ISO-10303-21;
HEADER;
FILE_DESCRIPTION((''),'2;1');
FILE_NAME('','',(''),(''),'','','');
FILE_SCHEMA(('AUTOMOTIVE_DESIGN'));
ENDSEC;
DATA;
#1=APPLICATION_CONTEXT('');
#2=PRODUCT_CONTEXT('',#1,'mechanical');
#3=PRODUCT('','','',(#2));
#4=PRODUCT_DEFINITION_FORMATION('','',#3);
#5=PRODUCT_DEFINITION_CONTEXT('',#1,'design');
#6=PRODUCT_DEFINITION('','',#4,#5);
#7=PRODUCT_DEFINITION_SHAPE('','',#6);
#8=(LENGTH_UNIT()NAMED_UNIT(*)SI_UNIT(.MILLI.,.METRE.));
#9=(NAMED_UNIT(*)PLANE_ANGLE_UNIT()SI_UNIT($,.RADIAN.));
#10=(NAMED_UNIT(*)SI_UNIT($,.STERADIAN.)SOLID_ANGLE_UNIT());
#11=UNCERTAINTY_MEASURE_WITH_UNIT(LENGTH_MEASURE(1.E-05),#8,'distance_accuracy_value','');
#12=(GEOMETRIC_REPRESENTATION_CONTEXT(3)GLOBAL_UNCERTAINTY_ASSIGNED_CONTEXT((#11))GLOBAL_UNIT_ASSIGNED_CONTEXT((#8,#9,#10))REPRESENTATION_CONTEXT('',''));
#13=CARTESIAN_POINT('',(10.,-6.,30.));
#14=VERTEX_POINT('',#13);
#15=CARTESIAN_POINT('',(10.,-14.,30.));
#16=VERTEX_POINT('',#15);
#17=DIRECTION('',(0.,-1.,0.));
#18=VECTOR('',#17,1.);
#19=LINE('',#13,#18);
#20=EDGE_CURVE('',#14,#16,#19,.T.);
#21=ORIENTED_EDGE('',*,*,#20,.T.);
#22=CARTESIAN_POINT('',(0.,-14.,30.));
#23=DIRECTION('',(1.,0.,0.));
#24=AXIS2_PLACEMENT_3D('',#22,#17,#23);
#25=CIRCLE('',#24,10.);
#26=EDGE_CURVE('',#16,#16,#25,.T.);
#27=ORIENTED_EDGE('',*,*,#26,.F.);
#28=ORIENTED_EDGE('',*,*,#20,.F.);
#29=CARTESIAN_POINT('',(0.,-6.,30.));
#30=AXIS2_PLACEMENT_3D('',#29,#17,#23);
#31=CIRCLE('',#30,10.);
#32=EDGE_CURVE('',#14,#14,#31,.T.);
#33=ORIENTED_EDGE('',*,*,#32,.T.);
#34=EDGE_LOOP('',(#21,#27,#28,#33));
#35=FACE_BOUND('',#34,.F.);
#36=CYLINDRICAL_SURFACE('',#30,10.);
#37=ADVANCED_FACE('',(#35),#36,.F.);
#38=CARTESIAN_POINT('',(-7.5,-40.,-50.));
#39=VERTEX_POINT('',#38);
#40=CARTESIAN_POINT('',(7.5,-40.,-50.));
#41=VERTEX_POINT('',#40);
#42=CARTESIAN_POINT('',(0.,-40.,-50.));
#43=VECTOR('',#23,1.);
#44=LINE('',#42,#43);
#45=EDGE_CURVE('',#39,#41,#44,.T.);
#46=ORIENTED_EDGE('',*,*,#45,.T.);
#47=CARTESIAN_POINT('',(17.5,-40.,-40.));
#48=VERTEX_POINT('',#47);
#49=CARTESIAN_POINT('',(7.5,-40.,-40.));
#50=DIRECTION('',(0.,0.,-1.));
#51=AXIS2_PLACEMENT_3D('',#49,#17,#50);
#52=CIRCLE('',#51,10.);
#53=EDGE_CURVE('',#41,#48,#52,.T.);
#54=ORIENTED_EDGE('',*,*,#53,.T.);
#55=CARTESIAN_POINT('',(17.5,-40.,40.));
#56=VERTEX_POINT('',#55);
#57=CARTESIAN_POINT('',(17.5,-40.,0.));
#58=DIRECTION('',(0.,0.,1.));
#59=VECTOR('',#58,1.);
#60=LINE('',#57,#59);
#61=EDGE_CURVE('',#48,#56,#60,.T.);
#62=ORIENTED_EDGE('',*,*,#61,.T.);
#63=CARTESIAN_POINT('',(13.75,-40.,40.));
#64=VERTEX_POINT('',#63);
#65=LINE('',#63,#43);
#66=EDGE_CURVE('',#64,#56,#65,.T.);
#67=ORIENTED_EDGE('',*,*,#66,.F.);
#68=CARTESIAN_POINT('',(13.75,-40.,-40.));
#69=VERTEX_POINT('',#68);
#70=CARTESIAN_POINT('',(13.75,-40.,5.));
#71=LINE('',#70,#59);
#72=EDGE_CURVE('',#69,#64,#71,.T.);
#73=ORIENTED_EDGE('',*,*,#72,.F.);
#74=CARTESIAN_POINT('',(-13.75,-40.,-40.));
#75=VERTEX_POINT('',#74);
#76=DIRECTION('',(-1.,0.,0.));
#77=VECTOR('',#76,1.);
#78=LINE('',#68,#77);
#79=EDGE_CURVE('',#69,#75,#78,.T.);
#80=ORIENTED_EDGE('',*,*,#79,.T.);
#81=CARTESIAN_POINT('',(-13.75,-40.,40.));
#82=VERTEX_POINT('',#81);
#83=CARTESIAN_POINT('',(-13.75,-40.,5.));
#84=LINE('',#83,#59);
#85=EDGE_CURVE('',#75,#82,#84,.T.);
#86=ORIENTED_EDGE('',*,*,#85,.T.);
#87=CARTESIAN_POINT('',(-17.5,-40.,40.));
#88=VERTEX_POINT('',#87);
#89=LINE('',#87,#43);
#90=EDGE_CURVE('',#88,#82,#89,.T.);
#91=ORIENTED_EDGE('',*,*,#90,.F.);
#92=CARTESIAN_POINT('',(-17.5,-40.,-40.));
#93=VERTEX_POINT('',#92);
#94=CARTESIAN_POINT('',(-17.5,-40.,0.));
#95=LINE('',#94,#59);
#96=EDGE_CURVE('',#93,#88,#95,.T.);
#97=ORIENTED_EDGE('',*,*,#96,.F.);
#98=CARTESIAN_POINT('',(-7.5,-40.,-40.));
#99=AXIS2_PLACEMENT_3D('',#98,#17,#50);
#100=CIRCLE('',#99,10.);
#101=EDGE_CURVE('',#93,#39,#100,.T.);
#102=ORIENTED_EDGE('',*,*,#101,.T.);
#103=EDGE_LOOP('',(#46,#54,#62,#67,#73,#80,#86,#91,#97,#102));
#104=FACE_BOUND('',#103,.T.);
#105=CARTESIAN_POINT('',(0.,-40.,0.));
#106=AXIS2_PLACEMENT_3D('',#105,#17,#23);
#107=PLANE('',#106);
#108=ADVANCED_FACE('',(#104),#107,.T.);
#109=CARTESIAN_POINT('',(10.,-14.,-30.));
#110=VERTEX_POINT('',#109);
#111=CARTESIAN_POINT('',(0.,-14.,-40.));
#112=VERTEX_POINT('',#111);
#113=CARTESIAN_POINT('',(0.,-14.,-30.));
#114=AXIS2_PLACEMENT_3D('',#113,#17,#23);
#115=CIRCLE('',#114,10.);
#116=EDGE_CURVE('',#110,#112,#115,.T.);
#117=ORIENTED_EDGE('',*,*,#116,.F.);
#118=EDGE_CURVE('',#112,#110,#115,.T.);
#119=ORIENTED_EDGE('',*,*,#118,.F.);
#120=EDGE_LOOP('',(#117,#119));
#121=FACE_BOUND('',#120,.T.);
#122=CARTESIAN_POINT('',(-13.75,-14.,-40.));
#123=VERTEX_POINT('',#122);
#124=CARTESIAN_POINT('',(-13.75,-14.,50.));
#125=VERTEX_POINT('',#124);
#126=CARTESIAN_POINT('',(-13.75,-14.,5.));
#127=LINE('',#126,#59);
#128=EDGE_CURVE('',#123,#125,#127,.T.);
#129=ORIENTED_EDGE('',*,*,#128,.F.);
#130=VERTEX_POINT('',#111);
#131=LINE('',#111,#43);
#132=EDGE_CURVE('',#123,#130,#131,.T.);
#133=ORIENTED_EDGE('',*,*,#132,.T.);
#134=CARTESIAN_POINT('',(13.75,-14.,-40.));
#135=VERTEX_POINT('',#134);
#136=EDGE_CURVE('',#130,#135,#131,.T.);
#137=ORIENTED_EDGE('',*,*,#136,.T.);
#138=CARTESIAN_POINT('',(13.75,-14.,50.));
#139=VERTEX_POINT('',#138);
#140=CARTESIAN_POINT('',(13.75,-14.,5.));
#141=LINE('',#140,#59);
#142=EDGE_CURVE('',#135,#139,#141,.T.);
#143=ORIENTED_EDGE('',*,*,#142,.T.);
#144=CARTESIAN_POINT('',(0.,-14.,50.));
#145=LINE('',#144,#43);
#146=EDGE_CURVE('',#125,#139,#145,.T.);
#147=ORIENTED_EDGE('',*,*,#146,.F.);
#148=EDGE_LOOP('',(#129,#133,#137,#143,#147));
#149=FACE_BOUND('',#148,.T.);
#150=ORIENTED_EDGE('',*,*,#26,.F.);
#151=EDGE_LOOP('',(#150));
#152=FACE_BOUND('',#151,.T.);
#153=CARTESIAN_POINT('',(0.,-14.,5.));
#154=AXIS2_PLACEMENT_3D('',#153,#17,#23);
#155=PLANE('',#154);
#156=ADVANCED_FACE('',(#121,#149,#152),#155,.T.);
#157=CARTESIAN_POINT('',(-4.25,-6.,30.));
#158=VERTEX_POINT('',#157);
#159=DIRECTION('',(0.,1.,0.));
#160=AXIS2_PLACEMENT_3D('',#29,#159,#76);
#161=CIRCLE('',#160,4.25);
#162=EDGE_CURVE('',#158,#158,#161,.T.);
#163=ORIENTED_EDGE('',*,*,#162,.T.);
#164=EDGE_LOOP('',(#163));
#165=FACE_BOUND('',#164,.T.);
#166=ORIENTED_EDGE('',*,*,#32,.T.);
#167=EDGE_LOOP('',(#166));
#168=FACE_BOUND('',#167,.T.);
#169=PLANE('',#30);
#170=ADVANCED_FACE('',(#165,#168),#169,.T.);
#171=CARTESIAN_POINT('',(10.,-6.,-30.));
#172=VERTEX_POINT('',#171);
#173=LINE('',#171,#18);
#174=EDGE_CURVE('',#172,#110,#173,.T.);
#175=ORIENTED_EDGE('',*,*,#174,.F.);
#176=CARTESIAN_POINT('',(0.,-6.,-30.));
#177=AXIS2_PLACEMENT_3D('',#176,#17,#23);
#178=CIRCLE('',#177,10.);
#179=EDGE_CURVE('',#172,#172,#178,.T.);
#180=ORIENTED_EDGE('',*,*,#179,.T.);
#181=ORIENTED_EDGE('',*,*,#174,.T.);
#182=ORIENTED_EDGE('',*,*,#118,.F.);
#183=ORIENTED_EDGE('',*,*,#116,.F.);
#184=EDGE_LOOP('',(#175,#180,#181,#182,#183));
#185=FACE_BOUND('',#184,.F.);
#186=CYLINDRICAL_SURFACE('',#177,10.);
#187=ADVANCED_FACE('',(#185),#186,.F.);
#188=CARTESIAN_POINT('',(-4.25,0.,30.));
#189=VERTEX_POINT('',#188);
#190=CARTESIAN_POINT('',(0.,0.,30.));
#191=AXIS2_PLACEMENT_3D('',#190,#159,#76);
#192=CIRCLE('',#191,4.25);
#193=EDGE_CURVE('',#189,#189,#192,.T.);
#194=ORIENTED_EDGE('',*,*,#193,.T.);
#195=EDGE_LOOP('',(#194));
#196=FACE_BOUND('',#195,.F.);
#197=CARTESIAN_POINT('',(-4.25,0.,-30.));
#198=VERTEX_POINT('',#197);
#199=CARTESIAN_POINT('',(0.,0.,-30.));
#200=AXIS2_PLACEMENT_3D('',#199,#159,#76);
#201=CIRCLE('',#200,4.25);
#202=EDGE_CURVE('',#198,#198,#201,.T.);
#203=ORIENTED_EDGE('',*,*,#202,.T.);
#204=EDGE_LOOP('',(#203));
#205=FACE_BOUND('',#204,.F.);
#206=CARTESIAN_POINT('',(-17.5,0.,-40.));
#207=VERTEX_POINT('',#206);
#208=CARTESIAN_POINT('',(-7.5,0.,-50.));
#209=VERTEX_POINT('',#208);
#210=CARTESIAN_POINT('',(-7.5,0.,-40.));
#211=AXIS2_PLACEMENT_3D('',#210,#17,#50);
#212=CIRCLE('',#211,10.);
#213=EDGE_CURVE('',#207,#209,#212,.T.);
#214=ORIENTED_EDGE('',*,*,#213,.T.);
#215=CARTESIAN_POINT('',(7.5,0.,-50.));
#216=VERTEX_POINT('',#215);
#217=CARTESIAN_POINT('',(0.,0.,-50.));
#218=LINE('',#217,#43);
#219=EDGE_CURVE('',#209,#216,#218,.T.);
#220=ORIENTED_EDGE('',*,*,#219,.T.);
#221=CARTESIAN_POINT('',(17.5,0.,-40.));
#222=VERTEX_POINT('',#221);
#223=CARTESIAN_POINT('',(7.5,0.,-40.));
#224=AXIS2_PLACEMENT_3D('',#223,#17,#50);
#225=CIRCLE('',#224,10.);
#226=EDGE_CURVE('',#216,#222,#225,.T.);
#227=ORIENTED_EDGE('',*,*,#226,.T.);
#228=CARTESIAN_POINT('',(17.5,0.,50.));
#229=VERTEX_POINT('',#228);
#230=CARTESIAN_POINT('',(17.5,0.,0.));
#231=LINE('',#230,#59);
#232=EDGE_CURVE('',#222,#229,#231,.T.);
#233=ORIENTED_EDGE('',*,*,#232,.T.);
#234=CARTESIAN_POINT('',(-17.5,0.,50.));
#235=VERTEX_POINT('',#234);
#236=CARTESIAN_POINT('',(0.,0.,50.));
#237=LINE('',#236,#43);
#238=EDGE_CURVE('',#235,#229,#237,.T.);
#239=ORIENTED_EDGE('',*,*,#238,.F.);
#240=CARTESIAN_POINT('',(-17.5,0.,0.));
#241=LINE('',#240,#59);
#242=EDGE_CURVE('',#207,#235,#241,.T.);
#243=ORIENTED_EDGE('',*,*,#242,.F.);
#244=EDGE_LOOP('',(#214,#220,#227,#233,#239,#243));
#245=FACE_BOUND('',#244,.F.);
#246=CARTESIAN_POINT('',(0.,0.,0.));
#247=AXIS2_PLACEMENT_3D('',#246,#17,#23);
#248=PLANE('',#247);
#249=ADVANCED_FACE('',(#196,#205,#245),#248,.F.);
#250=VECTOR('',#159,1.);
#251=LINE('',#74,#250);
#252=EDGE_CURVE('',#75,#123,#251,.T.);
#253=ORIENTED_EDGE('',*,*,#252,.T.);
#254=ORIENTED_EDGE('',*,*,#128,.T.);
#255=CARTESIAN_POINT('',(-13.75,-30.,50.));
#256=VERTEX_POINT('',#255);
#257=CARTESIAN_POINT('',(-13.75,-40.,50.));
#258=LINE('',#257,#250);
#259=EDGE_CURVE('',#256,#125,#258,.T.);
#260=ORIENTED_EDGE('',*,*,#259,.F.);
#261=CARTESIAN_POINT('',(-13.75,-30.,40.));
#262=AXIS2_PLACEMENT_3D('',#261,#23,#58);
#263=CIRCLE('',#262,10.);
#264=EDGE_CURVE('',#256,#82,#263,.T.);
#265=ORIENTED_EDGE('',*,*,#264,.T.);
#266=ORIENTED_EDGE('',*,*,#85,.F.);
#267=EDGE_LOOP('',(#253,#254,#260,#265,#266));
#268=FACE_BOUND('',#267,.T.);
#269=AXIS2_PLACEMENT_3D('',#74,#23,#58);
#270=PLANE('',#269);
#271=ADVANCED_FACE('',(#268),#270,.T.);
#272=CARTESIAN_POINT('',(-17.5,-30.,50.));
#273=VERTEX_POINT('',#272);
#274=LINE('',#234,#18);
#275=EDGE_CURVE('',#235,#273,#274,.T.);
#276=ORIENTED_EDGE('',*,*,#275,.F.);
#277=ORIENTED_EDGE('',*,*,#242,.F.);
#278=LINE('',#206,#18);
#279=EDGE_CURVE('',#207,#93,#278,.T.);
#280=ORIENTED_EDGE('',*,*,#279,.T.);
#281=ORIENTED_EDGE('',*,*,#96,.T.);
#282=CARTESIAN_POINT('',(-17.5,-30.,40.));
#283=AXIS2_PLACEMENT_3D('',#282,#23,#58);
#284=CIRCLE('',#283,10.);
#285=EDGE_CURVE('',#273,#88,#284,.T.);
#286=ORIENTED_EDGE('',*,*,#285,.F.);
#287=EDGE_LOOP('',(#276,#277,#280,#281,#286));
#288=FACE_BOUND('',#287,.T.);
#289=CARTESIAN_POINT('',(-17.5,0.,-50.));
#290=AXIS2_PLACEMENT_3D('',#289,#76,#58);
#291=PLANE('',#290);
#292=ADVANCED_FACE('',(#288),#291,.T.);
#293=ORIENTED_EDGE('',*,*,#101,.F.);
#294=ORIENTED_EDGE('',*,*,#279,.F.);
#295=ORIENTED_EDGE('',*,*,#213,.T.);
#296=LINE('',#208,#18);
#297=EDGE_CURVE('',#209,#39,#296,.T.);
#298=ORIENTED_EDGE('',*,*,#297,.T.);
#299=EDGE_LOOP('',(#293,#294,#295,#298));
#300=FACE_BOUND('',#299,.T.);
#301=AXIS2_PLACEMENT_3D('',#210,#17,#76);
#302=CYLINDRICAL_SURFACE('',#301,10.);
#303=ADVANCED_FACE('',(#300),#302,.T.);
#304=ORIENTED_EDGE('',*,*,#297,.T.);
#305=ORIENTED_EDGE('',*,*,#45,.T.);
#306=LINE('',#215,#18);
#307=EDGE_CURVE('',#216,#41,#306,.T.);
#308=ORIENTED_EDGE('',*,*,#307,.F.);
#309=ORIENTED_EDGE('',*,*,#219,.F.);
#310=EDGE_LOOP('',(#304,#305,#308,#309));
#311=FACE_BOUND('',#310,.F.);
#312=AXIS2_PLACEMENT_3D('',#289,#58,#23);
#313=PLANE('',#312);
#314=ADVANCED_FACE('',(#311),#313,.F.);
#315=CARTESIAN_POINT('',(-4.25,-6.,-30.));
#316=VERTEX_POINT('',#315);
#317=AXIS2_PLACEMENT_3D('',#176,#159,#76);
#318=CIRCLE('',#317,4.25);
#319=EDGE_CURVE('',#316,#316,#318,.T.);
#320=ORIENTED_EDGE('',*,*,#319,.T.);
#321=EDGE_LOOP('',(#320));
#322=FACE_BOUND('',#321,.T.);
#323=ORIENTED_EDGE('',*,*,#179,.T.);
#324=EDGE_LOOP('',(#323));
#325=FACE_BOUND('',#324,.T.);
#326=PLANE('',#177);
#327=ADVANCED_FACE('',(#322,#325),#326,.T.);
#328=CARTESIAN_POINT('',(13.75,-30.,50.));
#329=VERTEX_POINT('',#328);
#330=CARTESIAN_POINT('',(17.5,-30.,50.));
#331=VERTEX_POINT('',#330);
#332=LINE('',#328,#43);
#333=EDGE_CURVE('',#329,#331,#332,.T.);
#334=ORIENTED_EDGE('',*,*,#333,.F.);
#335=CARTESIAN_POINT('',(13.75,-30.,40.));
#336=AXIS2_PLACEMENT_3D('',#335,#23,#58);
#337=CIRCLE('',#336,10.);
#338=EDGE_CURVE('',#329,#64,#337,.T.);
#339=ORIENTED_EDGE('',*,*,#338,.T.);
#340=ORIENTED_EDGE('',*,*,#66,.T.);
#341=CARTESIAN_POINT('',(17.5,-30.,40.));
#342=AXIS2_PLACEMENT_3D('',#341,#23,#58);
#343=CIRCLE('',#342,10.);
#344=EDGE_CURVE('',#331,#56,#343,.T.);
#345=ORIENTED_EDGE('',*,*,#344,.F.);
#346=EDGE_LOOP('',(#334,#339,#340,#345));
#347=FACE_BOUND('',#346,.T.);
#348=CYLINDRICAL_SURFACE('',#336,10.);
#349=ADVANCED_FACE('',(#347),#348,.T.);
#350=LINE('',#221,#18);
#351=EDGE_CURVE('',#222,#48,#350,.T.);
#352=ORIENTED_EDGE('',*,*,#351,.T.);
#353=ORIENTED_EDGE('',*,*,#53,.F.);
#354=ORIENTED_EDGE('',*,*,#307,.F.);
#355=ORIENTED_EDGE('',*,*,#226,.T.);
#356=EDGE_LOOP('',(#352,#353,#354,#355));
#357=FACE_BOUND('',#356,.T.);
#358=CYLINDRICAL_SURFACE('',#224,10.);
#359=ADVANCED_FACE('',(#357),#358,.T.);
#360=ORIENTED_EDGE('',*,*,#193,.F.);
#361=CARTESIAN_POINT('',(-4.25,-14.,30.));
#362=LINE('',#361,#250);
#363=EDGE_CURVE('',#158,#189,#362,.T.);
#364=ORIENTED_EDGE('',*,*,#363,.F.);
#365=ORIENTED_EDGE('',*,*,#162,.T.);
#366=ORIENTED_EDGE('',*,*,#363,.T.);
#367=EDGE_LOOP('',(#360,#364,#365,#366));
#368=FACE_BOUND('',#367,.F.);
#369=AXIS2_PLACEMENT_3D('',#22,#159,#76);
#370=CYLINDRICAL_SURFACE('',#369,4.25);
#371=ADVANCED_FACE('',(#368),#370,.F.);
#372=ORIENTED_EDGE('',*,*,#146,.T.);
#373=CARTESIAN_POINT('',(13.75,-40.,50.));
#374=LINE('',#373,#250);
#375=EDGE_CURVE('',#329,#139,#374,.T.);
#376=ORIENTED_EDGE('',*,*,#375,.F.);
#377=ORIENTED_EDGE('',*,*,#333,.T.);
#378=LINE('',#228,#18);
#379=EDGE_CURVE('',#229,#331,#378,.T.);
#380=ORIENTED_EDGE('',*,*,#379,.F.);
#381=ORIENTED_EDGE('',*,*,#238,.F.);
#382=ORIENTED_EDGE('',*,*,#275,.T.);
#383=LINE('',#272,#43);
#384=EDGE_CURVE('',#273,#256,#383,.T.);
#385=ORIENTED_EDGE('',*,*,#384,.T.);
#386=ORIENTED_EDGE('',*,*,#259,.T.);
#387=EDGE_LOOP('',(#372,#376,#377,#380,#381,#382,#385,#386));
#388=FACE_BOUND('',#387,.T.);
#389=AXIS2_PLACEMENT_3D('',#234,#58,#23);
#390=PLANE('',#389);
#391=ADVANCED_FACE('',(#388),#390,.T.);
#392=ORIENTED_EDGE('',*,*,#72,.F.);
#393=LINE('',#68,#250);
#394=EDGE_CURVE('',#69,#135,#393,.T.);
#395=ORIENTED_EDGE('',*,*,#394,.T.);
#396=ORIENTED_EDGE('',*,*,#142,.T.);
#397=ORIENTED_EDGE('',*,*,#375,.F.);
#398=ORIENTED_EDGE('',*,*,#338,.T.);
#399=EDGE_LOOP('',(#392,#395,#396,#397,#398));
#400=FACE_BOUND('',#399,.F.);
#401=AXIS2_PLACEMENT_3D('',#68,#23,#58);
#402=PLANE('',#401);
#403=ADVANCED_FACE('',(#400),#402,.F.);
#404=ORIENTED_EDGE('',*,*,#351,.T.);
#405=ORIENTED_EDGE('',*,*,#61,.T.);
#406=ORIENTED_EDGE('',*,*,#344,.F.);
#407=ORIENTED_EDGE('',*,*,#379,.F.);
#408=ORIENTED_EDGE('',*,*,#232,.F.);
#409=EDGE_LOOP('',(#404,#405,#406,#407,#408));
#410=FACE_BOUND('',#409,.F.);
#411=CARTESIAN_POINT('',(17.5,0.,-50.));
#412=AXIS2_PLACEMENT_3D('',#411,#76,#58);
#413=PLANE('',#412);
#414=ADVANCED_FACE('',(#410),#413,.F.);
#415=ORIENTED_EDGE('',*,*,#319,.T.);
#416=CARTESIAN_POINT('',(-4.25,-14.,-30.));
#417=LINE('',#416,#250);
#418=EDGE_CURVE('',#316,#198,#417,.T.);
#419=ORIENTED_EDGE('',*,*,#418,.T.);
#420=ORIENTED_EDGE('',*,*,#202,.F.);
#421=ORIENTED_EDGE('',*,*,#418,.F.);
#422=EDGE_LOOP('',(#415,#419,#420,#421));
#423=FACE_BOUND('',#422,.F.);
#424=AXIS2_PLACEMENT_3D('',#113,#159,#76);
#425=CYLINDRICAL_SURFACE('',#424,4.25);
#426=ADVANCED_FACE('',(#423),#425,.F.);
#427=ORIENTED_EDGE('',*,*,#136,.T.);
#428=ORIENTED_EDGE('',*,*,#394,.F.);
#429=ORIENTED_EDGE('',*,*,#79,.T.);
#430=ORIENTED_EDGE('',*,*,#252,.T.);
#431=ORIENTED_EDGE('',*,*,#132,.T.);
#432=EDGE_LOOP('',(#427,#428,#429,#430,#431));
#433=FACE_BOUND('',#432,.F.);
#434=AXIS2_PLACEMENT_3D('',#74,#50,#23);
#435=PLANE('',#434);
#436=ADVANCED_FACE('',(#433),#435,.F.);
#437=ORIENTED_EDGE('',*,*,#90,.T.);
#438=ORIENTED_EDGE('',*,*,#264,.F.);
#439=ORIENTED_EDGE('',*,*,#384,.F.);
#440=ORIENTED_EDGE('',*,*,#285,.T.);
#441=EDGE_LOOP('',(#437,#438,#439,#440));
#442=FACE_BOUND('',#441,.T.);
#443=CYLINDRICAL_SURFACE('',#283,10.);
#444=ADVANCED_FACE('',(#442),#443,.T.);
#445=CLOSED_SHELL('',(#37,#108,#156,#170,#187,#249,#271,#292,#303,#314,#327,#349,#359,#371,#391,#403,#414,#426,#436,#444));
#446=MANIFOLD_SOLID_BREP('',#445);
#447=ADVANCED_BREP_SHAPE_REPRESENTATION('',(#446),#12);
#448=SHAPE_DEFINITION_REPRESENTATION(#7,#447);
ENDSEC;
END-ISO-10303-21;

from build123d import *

# Parameters (mm, degrees)
F0_W           = 35
F0_H           = 100
F1_DEPTH       = 40
F2_W           = 27.5
F2_H           = 90
F3_DEPTH       = 26
F4_R           = 10
F6_D           = 8.5
F6_CBORE_D     = 20
F6_CBORE_DEPTH = 8


with BuildPart() as f1:
    # F0 (on Front) → F1 (new body)
    with BuildSketch(Plane.XZ):
        Rectangle(F0_W, F0_H)
    extrude(amount=F1_DEPTH)

    # F2 (on face) → F3 (cut)
    with BuildSketch(Plane.XZ.offset(40)):
        with Locations((0, 5)):
            Rectangle(F2_W, F2_H)
    extrude(amount=-F3_DEPTH, mode=Mode.SUBTRACT)

    # F4
    f4_edges = [f1.edges().sort_by_distance(p)[0] for p in [
        (-15.625, -40, 50),
        (15.625, -40, 50),
        (-17.5, -20, -50),
        (17.5, -20, -50),
    ]]
    fillet(f4_edges, radius=F4_R)

    # F6 (through all)
    with Locations(Plane.XZ.offset(14)):
        with Locations((0, 30), (0, -30)):
            CounterBoreHole(F6_D / 2, F6_CBORE_D / 2, F6_CBORE_DEPTH)


solid = f1.part
